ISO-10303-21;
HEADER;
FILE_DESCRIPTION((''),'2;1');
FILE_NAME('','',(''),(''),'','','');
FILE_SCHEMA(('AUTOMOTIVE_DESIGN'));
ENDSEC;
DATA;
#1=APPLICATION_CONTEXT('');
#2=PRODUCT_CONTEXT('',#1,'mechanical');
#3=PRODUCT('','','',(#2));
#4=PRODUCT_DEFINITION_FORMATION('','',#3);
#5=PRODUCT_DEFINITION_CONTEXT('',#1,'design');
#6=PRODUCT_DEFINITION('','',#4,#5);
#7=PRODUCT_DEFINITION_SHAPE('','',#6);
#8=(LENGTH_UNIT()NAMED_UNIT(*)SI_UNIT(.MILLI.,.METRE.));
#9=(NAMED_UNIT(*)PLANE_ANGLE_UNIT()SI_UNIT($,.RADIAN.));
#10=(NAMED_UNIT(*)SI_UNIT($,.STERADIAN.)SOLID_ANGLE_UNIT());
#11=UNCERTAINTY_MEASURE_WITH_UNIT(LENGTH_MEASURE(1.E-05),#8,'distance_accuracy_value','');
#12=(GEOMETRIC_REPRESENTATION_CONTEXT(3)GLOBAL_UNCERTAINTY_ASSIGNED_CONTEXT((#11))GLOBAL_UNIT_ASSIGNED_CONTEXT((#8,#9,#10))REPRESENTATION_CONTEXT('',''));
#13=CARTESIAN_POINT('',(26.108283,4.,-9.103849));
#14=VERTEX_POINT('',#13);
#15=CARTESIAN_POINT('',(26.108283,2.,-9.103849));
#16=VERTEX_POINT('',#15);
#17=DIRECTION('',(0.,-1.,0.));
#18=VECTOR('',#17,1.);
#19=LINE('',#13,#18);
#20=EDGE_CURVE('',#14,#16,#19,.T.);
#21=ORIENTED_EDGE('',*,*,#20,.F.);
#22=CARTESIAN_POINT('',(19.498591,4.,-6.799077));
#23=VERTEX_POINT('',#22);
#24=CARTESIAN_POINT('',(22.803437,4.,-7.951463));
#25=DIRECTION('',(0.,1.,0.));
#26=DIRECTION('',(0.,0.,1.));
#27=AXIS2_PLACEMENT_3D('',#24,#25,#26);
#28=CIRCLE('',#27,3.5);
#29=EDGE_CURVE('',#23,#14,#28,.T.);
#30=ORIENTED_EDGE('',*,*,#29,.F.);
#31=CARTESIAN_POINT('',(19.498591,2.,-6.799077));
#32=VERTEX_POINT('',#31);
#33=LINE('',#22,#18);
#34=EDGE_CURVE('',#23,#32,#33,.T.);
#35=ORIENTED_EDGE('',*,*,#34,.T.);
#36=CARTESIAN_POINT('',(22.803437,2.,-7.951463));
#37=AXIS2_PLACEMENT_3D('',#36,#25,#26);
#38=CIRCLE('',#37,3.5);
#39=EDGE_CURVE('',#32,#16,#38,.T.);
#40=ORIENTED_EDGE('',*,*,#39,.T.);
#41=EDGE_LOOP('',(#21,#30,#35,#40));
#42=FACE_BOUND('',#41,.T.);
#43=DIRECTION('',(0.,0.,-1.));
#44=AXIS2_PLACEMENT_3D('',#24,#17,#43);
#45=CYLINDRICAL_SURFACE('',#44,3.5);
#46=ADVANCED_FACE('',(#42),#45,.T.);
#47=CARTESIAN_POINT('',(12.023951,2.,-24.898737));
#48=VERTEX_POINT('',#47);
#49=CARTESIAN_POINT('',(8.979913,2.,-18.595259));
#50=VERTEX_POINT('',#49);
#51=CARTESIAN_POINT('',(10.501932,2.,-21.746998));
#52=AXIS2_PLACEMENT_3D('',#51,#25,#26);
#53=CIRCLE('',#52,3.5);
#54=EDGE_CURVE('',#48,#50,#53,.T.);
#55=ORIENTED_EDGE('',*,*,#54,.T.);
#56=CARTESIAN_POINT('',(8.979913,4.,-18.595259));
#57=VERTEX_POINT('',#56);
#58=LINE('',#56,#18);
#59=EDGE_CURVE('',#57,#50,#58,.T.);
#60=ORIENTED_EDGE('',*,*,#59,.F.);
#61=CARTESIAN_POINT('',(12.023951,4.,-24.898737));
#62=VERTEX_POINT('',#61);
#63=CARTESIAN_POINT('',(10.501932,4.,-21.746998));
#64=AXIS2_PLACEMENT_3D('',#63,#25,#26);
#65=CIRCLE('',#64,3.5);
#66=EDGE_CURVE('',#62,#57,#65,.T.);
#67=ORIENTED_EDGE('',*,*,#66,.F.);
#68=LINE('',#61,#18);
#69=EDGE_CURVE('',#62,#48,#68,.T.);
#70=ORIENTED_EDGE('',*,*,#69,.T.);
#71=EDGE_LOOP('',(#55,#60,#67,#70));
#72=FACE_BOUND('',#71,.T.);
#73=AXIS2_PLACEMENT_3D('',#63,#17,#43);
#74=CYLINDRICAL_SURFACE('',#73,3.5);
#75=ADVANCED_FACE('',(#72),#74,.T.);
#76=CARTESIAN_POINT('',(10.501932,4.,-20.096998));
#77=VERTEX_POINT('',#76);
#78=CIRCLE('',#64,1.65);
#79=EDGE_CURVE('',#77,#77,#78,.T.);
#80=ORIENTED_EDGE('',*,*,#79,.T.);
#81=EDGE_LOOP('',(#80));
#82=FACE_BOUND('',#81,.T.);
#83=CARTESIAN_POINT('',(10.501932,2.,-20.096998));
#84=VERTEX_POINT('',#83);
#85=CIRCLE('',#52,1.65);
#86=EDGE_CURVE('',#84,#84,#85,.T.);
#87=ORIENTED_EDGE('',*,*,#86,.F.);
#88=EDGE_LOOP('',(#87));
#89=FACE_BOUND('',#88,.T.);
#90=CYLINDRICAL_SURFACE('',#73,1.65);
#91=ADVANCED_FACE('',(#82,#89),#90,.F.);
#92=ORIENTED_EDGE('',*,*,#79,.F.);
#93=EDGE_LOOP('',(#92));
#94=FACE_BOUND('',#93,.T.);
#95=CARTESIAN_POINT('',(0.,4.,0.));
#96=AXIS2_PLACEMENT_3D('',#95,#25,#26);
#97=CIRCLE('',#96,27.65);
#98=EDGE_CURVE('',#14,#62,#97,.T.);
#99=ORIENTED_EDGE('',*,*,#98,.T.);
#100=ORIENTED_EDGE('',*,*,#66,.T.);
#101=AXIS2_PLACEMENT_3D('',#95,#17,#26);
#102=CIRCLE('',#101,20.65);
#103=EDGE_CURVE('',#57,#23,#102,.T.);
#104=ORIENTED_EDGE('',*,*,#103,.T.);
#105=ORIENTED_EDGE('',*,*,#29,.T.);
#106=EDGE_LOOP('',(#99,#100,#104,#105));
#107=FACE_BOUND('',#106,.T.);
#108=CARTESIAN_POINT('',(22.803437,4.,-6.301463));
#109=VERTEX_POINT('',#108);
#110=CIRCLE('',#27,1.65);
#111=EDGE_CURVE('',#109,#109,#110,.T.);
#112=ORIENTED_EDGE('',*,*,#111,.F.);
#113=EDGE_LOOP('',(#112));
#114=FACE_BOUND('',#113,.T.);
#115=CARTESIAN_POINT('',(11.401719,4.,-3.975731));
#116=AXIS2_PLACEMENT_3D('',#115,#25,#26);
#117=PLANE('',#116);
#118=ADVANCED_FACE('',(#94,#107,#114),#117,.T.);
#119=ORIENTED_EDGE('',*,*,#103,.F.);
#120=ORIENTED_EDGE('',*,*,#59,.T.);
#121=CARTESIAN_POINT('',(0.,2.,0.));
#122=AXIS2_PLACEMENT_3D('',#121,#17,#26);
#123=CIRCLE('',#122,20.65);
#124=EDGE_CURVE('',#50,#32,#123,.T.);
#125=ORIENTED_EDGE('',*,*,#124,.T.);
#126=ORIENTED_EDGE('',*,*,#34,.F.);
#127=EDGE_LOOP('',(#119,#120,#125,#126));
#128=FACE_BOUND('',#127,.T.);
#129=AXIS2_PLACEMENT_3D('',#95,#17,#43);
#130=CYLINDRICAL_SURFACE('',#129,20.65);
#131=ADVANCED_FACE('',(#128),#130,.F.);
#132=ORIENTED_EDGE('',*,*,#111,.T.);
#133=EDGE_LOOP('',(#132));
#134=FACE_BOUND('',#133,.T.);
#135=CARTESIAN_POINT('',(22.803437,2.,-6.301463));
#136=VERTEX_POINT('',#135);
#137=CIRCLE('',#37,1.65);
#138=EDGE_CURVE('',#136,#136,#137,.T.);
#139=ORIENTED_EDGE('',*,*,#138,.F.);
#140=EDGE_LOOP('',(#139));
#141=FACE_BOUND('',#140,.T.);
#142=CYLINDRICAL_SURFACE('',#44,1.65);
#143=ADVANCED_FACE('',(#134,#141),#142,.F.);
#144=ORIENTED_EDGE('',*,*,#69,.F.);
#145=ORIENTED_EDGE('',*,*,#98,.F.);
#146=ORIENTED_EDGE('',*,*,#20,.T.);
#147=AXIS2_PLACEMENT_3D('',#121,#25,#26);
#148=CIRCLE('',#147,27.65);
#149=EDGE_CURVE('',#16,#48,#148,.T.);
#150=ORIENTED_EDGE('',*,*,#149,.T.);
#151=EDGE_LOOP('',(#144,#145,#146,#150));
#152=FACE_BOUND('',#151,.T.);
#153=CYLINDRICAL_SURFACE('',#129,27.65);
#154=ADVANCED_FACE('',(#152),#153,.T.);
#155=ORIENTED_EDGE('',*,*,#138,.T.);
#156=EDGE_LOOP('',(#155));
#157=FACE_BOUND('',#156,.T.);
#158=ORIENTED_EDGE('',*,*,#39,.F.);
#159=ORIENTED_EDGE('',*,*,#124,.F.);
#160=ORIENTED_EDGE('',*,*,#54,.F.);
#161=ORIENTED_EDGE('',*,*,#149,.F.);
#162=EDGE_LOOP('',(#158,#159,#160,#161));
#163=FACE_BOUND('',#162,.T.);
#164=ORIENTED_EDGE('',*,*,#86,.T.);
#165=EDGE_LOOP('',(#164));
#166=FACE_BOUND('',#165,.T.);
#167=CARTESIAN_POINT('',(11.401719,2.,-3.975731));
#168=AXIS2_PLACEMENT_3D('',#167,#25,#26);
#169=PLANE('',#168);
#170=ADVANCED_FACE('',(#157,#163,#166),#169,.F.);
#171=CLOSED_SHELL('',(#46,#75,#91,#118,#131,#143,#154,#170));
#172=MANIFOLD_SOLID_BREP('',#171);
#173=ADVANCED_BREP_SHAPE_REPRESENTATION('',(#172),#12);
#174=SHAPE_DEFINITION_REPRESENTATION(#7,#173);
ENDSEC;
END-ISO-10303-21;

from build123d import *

# Parameters (mm, degrees)
SKETCH1_R           = 1.65
BOSS_EXTRUDE1_DEPTH = 2


with BuildPart() as part:
    # Sketch1 → Boss-Extrude1 (new body)
    with BuildSketch(Plane(origin=(0, 2, 0), x_dir=(1, 0, 0), z_dir=(0, 1, 0))):
        with BuildLine():
            ThreePointArc((26.108282991, 9.103848595), (20.637016257, 18.402066732), (12.023950872, 24.898737025))
            ThreePointArc((12.023950872, 24.898737025), (7.350192911, 23.269017259), (8.979912677, 18.595259297))
            ThreePointArc((8.979912677, 18.595259297), (15.412455179, 13.743315661), (19.498591095, 6.799076799))
            ThreePointArc((19.498591095, 6.799076799), (23.955822941, 4.646616748), (26.108282991, 9.103848595))
        make_face()
        with Locations(Location((10.501931774, 21.746998161, 0), (0, 0, 270))):
            Circle(SKETCH1_R, mode=Mode.SUBTRACT)
        with Locations(Location((22.803437043, 7.951462697, 0), (0, 0, 270))):
            Circle(SKETCH1_R, mode=Mode.SUBTRACT)
    extrude(amount=BOSS_EXTRUDE1_DEPTH)


solid = part.part
